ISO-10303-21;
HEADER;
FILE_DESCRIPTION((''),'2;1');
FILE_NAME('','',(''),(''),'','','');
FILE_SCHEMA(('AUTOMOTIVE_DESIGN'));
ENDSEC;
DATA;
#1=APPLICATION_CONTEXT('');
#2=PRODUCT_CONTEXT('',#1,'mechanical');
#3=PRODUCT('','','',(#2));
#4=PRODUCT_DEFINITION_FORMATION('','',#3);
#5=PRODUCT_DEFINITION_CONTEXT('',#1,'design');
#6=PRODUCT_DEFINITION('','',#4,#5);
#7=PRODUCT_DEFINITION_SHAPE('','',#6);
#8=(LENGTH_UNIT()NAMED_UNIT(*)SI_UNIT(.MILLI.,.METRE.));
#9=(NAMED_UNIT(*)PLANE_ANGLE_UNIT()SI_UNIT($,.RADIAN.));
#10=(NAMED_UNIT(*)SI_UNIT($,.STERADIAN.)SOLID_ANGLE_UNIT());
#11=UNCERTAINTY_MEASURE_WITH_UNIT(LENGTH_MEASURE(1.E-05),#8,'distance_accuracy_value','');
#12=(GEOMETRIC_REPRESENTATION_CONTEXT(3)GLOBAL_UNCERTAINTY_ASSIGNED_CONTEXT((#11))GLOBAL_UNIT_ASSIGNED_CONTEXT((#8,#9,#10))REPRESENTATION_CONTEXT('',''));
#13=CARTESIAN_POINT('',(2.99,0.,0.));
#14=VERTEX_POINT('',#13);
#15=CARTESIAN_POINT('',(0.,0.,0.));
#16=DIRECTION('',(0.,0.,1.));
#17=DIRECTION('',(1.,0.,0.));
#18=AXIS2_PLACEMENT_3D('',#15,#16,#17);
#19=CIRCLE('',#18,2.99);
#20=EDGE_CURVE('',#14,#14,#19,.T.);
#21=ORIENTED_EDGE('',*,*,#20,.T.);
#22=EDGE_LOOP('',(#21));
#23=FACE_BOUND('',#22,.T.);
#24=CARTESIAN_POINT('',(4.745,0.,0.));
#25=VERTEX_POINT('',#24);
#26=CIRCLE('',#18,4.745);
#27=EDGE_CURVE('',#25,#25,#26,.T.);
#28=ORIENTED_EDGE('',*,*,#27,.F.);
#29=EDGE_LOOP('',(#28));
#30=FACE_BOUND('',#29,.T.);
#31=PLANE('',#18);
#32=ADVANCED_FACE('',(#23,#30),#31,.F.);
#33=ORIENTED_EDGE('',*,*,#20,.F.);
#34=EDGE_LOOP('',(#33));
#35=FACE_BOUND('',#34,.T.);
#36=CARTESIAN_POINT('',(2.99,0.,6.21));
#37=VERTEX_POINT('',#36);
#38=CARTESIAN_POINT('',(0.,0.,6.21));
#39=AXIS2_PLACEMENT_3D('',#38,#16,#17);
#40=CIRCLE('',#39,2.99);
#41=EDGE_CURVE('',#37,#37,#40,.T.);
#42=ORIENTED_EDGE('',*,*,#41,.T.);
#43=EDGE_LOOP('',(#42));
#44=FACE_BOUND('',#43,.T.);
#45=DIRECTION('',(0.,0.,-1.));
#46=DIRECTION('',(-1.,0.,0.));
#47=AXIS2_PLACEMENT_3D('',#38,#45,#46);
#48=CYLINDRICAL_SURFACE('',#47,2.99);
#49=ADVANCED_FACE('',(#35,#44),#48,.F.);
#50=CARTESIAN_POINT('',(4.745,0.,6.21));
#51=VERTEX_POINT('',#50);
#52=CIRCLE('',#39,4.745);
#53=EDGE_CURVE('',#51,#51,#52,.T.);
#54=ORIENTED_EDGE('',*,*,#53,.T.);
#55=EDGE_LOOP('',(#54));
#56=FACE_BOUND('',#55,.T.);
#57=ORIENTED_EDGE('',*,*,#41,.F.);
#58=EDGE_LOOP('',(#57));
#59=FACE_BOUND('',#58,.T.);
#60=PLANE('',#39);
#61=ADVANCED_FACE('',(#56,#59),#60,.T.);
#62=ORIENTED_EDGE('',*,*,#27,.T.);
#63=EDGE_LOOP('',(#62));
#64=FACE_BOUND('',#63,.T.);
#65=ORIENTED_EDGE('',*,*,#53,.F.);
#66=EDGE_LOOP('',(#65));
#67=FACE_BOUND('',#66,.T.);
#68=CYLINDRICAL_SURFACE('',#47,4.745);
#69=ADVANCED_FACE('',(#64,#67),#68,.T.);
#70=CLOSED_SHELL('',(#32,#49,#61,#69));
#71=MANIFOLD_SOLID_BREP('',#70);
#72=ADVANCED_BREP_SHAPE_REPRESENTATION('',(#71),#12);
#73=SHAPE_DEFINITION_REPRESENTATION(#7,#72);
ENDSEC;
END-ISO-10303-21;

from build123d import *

# Parameters (mm, degrees)
SCHIZZO1_R                   = 4.745
SCHIZZO1_R_2                 = 2.99
ESTRUSIONE_ESTRUSIONE1_DEPTH = 6.21


with BuildPart() as part:
    # Schizzo1 → Estrusione-Estrusione1 (new body)
    with BuildSketch(Plane.XY):
        Circle(SCHIZZO1_R)
        Circle(SCHIZZO1_R_2, mode=Mode.SUBTRACT)
    extrude(amount=ESTRUSIONE_ESTRUSIONE1_DEPTH)


solid = part.part
